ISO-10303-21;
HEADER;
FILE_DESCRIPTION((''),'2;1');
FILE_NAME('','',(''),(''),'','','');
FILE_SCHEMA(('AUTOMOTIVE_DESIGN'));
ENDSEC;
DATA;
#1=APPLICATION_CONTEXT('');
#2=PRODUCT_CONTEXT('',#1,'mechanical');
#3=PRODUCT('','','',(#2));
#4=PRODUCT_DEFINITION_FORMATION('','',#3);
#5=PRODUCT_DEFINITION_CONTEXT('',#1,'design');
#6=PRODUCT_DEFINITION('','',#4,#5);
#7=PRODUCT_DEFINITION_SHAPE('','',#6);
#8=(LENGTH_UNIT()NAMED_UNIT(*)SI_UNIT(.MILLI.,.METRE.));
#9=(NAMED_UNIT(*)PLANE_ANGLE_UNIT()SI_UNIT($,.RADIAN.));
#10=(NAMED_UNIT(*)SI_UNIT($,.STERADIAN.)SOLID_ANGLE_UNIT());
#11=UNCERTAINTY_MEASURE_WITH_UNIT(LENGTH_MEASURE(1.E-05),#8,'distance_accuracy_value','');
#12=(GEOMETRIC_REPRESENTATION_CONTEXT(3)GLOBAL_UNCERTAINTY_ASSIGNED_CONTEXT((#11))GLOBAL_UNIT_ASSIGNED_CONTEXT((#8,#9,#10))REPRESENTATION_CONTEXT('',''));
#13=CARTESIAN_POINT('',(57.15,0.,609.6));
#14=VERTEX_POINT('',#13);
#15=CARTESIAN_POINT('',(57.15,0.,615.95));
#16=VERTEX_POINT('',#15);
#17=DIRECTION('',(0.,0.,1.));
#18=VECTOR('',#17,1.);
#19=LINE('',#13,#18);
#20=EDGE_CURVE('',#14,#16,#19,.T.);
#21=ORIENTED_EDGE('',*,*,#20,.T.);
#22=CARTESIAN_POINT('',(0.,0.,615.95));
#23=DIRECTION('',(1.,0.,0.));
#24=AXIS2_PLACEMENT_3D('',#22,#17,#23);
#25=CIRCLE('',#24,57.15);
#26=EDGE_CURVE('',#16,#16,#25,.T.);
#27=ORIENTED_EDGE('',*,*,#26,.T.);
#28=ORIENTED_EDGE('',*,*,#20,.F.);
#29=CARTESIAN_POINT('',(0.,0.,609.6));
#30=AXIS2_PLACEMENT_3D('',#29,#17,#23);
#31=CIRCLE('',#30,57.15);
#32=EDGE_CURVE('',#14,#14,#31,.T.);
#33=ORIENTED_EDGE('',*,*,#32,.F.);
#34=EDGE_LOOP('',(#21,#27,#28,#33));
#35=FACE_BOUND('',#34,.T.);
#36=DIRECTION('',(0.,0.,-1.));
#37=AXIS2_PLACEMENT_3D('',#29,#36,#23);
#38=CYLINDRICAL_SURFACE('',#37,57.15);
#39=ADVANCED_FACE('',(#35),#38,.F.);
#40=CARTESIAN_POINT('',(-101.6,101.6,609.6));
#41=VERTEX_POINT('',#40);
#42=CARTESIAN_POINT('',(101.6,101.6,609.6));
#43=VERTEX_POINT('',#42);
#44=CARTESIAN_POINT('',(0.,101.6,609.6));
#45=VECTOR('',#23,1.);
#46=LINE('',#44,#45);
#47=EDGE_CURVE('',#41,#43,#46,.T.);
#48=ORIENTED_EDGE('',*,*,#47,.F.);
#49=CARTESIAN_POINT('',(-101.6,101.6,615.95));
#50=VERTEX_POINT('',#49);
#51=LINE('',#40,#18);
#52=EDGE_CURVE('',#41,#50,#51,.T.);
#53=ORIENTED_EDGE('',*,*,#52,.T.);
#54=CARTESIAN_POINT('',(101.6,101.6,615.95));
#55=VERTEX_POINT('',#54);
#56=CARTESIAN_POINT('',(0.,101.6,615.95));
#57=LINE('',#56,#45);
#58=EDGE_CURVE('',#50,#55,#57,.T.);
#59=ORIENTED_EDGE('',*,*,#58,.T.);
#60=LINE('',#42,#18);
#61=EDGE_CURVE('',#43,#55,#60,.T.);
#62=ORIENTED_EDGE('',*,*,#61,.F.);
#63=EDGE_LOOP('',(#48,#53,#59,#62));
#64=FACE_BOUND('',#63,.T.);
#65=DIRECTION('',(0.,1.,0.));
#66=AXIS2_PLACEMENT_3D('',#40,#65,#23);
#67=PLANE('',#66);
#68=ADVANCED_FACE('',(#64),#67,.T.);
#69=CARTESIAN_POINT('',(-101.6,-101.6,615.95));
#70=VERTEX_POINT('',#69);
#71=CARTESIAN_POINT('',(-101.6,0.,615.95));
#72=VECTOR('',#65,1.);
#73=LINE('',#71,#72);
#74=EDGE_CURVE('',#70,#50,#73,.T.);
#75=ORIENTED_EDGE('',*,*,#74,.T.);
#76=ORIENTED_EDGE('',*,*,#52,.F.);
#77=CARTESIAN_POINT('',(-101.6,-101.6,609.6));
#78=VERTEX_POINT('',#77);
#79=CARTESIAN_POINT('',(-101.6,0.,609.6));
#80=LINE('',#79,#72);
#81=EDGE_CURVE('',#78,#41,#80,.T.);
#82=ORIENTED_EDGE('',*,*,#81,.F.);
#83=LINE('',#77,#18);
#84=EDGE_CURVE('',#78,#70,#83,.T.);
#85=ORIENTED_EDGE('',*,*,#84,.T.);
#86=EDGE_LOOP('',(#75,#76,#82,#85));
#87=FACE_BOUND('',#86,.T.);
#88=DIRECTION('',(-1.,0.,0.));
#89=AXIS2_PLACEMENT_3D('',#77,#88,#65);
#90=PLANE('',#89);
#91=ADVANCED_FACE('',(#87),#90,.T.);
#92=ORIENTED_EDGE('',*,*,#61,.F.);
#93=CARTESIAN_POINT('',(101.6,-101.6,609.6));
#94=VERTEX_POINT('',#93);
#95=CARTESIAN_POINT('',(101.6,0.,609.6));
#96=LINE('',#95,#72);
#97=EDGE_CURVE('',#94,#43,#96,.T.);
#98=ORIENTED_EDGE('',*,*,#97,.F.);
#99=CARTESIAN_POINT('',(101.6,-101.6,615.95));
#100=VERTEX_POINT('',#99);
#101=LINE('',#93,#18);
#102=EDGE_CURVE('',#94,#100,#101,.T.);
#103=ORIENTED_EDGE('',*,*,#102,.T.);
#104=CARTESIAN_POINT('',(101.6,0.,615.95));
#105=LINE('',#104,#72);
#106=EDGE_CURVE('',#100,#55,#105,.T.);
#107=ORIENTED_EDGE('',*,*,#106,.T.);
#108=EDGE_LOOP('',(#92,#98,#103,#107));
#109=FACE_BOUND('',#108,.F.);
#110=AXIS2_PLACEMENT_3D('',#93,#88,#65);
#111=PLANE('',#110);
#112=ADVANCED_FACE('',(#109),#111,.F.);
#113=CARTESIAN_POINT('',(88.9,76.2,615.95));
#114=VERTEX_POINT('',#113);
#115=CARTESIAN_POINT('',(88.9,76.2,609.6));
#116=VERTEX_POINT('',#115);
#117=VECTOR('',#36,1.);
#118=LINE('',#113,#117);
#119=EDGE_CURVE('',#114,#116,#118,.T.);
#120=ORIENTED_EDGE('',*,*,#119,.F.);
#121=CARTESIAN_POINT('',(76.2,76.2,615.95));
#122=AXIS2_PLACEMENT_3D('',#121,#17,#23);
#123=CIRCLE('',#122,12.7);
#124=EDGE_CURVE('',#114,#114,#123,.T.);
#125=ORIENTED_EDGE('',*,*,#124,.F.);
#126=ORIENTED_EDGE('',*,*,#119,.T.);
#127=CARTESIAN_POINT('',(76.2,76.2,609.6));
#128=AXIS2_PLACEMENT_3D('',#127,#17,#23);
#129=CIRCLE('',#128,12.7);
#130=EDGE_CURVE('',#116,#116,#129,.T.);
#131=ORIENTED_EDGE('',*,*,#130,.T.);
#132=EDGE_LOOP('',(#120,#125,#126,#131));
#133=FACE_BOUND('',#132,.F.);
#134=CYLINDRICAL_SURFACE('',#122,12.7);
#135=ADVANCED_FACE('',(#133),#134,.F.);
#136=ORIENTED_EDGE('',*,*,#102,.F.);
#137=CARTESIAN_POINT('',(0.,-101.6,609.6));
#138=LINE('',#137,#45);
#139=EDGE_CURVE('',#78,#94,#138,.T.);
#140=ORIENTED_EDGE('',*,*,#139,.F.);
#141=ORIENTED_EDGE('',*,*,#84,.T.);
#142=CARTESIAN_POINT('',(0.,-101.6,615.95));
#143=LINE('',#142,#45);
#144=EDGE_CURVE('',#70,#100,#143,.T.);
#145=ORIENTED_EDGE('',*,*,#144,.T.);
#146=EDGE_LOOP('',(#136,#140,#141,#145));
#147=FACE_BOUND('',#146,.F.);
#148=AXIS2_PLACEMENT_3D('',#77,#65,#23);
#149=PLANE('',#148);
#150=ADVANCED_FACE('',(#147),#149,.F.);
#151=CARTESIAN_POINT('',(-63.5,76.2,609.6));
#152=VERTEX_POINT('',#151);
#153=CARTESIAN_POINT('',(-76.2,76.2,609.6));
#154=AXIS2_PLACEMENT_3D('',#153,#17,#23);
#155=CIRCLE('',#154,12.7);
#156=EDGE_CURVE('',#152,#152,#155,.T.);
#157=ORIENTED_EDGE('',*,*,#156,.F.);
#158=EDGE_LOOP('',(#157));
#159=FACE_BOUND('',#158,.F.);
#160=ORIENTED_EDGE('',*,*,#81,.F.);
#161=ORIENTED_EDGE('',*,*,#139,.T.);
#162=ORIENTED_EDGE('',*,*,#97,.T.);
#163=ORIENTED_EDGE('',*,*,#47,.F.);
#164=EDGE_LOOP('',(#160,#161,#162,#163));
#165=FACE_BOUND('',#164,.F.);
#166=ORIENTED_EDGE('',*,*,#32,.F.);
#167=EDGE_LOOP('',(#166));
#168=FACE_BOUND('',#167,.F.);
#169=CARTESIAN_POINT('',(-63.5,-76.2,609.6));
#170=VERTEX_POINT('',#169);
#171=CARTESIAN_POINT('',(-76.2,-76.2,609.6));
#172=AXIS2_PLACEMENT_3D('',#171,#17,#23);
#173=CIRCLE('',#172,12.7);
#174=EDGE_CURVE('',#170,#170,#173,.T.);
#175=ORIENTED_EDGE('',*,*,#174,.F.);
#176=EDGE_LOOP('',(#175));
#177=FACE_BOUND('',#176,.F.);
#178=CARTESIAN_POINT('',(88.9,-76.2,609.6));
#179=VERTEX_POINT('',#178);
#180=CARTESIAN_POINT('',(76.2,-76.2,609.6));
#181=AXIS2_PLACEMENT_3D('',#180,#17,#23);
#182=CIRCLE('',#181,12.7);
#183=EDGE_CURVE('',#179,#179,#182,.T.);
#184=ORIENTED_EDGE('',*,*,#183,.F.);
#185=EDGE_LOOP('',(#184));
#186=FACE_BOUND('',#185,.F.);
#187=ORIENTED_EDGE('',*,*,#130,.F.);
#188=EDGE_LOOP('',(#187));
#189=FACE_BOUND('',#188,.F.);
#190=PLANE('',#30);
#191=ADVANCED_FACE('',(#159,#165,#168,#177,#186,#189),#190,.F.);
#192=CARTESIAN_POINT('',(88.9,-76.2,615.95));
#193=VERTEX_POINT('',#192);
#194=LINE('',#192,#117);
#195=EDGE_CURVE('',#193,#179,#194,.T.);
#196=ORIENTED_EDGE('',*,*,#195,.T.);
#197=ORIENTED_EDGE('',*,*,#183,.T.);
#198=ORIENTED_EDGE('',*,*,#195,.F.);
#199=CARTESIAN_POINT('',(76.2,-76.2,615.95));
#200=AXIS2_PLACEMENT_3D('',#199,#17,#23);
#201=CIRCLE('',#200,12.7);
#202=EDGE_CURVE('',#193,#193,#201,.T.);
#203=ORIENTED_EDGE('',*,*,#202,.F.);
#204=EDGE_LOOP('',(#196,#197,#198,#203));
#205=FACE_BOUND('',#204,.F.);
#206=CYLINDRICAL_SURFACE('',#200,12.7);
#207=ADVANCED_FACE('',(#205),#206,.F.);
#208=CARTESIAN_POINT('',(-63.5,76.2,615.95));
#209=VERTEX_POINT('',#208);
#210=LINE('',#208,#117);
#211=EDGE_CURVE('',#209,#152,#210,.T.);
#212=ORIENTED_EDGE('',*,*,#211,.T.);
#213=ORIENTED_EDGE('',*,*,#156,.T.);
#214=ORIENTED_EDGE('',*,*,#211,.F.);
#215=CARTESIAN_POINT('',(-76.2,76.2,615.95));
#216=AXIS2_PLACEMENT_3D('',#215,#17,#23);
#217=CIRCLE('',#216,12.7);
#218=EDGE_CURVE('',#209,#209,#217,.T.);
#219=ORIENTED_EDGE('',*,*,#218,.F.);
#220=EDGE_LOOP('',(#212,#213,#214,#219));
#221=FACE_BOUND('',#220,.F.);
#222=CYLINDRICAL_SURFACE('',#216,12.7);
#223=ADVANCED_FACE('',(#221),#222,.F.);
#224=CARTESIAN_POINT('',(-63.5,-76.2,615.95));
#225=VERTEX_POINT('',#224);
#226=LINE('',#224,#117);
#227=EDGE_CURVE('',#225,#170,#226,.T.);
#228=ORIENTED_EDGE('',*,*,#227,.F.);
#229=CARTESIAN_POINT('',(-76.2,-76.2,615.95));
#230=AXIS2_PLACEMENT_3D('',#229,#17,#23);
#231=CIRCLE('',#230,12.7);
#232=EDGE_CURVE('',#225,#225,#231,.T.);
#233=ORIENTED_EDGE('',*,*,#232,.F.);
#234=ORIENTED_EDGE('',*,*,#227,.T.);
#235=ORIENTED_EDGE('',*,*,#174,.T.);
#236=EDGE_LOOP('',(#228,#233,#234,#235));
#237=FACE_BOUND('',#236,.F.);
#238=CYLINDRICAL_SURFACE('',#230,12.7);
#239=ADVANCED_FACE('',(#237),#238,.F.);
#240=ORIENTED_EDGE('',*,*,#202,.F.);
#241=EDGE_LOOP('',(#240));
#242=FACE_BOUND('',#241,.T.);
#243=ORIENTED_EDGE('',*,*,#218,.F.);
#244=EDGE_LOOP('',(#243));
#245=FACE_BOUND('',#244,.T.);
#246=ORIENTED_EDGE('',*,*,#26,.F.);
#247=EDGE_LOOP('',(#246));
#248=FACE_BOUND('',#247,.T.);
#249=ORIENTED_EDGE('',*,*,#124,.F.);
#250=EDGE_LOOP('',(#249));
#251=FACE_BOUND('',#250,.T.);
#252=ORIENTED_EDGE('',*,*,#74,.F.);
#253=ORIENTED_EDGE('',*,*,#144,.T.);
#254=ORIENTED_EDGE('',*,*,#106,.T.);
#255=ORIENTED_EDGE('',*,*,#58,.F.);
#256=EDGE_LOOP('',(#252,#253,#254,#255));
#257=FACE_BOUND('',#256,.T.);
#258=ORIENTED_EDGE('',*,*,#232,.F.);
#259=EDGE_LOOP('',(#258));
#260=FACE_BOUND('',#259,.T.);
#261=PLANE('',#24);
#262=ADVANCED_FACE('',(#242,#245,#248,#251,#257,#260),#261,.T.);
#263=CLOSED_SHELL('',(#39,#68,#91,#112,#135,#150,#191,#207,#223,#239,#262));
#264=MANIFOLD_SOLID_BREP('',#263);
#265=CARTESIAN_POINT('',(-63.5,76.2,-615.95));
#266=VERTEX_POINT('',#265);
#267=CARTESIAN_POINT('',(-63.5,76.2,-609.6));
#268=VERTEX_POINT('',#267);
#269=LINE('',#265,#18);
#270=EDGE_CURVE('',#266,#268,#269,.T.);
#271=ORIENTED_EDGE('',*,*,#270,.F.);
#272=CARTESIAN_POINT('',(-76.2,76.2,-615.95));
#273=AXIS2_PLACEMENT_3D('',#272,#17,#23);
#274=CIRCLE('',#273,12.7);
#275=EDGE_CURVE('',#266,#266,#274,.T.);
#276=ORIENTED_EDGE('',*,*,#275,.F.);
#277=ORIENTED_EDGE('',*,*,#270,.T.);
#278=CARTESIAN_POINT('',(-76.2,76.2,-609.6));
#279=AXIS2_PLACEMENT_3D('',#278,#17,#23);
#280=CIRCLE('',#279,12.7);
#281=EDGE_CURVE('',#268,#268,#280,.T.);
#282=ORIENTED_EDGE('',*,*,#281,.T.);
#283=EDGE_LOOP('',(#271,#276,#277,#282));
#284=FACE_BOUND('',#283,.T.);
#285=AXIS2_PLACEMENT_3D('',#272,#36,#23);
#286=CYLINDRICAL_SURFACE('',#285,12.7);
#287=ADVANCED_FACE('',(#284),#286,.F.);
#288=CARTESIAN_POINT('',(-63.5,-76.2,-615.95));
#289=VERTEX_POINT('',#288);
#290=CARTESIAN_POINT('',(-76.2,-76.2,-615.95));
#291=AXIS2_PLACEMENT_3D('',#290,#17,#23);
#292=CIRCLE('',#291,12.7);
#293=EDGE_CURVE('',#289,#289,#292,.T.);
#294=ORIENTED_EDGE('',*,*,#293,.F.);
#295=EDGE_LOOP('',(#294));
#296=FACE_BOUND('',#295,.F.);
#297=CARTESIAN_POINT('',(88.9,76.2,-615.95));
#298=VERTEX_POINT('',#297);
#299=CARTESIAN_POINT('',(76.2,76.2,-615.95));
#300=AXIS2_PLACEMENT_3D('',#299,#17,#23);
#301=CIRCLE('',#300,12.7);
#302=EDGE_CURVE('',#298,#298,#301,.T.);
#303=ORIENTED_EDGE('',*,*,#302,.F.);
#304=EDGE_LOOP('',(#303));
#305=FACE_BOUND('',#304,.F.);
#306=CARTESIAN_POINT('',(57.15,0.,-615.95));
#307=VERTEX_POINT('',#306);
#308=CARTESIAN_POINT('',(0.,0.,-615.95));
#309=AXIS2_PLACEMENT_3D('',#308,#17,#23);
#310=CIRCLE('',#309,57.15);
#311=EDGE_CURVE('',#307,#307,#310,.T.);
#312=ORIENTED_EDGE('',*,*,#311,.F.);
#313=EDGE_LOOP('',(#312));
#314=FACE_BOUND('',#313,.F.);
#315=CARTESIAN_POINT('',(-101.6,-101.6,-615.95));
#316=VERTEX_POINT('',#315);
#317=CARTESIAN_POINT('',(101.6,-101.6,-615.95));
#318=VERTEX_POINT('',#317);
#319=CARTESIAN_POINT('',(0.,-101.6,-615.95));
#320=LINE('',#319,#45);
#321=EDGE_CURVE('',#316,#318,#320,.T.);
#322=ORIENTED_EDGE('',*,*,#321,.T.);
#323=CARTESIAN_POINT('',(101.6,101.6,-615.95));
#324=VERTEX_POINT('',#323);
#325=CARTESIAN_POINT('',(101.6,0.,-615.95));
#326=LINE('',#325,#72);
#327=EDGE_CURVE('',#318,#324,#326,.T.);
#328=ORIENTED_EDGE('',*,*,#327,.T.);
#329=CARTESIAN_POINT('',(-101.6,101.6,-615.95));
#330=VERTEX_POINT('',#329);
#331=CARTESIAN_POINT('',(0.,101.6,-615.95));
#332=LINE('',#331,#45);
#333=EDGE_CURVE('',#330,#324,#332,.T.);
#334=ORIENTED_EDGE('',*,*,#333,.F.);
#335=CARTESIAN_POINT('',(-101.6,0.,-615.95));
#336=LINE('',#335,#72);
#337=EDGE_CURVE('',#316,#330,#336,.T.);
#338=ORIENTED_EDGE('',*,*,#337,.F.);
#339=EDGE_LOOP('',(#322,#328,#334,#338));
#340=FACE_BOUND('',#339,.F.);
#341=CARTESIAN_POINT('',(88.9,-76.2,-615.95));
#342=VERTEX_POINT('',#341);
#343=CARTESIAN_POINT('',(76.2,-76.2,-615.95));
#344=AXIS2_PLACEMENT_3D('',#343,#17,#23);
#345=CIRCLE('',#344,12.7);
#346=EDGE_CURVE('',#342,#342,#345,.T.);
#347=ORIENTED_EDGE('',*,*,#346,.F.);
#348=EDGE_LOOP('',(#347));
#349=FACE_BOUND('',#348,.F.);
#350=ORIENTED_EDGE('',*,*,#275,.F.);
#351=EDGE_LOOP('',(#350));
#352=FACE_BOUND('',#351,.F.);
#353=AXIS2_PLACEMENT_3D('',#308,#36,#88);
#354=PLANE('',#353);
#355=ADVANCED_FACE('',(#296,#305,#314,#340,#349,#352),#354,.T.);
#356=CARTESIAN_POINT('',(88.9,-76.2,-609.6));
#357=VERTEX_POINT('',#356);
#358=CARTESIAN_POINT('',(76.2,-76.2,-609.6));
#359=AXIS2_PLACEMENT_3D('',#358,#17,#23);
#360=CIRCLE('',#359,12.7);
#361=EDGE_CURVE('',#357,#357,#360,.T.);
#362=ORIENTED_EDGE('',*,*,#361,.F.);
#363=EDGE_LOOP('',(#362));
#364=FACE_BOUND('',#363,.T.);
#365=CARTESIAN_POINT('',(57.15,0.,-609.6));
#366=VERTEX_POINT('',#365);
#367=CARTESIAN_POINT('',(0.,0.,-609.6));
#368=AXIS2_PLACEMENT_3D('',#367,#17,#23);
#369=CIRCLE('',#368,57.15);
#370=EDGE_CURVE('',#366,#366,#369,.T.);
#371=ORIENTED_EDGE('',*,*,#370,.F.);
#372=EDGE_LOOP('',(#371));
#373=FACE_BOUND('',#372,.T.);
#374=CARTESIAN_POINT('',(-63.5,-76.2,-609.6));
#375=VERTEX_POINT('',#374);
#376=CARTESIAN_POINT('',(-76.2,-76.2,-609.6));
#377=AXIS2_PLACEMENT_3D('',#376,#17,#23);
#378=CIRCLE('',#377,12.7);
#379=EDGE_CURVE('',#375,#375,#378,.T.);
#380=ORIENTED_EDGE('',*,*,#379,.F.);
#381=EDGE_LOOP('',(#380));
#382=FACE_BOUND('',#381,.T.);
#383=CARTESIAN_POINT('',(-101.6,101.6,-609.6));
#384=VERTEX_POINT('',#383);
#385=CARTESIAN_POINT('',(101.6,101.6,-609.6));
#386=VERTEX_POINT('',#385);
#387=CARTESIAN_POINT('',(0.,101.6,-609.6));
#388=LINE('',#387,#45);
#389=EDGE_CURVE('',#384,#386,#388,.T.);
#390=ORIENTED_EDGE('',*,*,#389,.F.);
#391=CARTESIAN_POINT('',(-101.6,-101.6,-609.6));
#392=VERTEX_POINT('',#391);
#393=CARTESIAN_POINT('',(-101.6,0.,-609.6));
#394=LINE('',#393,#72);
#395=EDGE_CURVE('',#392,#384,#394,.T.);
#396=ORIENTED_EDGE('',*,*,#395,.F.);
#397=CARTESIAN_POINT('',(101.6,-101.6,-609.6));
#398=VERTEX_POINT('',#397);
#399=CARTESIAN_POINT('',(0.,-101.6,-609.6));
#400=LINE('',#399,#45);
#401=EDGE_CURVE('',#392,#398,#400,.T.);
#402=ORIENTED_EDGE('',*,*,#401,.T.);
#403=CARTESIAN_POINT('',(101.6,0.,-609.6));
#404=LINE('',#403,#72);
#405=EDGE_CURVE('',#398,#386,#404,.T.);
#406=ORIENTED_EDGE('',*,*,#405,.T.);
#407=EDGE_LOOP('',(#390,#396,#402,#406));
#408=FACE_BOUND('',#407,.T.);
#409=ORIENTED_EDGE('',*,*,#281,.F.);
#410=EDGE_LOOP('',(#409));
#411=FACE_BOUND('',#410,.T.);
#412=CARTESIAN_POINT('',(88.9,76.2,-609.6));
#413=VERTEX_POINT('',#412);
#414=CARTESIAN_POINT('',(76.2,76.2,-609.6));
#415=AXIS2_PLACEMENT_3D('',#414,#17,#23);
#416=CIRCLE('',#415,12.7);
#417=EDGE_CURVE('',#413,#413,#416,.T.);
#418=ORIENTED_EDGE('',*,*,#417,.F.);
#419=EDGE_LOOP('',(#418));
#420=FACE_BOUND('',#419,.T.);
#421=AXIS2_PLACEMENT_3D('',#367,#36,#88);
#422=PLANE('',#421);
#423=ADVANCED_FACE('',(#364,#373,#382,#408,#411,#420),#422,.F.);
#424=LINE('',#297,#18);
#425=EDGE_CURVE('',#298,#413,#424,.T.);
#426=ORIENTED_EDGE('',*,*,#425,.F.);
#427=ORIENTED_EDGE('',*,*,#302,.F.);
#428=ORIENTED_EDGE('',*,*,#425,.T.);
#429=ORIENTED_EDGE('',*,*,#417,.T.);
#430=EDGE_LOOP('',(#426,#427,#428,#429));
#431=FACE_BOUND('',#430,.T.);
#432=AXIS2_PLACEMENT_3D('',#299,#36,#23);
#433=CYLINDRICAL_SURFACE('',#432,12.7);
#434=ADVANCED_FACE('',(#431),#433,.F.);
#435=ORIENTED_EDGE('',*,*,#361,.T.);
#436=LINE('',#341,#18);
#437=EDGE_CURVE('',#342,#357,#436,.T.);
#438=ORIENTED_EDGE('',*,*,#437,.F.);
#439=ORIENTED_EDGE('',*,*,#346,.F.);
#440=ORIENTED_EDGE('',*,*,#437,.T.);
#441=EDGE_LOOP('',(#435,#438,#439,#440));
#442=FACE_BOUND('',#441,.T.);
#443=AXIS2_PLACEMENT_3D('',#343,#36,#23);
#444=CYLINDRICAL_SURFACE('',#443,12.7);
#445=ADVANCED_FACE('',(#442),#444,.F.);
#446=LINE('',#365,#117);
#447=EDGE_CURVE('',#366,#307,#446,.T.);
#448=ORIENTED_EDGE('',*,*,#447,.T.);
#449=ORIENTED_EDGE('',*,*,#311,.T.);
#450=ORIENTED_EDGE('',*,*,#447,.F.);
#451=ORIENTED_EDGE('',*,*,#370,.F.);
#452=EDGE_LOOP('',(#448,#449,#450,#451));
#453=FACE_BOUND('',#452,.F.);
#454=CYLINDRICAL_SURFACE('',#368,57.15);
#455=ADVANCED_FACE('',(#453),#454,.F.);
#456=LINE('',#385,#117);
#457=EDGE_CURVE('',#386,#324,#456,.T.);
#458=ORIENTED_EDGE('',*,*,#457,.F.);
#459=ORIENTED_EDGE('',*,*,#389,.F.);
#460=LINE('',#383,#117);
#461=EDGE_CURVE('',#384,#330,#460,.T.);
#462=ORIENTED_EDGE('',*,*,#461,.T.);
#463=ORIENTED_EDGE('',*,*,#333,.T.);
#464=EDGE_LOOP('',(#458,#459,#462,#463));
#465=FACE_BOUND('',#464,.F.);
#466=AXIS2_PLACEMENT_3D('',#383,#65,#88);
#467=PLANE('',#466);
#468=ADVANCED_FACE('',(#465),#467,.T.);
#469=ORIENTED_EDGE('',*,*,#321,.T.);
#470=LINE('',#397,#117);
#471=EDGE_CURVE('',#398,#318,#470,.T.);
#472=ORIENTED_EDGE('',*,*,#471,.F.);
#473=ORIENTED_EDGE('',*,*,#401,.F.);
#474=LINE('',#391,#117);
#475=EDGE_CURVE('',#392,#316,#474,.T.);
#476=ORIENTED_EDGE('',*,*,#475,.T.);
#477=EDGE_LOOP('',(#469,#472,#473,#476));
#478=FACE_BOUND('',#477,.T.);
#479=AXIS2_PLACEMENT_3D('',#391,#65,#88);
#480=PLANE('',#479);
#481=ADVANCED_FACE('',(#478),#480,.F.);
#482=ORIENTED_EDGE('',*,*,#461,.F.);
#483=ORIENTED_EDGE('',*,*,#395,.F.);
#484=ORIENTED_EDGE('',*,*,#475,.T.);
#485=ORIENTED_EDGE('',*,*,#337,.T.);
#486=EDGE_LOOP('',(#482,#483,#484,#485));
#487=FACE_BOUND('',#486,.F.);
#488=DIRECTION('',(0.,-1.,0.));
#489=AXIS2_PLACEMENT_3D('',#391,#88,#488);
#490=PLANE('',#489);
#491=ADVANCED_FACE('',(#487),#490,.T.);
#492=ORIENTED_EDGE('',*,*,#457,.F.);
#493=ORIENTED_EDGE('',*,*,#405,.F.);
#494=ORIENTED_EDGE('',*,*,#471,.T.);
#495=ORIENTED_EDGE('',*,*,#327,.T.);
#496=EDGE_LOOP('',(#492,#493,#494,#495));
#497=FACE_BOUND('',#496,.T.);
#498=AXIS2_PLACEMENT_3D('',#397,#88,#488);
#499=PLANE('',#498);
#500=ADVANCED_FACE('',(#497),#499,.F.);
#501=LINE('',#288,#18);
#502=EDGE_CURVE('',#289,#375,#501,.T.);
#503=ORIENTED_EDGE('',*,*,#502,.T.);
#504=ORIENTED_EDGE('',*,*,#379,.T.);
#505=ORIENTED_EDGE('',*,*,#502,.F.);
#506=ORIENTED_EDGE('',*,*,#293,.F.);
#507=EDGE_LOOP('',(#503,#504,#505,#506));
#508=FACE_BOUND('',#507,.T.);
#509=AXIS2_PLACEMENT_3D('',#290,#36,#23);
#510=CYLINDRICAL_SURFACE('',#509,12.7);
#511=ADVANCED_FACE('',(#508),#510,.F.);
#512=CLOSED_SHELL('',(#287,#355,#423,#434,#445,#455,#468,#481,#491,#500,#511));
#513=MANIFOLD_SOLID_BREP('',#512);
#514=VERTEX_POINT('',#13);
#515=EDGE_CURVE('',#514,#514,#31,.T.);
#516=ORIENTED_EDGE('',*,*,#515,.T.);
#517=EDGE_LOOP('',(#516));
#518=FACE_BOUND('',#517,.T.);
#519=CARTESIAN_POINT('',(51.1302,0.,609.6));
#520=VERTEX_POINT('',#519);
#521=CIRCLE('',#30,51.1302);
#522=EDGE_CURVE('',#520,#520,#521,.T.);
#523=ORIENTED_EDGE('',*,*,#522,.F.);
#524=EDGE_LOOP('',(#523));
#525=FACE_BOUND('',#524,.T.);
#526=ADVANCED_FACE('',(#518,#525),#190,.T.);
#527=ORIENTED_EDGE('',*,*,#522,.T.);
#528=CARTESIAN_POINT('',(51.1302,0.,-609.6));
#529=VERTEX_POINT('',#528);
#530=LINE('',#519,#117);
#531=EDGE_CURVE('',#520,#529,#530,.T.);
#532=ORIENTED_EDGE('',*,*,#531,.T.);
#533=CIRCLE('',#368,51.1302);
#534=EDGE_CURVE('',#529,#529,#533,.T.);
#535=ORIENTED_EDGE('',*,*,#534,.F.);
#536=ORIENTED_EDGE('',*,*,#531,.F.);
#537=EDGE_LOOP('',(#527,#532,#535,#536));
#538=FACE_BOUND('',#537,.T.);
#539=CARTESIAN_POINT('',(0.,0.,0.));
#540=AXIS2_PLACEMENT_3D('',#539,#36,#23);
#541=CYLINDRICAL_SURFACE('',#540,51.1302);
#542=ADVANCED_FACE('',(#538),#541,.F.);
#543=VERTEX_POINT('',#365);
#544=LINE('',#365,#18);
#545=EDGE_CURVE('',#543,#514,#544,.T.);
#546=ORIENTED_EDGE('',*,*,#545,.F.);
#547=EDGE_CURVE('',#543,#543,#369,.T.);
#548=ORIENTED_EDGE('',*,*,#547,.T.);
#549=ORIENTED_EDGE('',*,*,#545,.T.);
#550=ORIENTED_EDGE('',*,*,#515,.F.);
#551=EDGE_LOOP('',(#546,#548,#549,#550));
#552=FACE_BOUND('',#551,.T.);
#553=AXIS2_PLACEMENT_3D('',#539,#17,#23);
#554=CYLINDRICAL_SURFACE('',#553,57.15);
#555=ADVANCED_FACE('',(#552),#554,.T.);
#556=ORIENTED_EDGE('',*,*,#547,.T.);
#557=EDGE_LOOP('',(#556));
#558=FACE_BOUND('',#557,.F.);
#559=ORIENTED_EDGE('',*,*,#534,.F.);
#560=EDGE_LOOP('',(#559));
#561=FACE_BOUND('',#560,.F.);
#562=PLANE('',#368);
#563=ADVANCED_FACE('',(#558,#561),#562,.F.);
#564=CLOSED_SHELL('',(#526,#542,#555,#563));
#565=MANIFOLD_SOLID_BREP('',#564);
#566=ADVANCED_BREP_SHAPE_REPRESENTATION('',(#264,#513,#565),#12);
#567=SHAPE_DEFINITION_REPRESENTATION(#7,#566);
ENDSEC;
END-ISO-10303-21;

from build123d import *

# Parameters (mm, degrees)
F0_R     = 57.15
F0_R_2   = 51.1302
F1_DEPTH = 609.6
F2_W     = 203.2
F2_H     = 203.2
F2_R     = 57.15
F3_DEPTH = 6.35
F4_R     = 12.7
F5_DEPTH = 6.35


with BuildPart() as f1:
    # F0 (on Top) → F1 (new body, symmetric)
    with BuildSketch(Plane.XY):
        Circle(F0_R)
        Circle(F0_R_2, mode=Mode.SUBTRACT)
    extrude(amount=F1_DEPTH, both=True)


with BuildPart() as f3:
    # F2 (on face) → F3 (new body)
    with BuildSketch(Plane.XY.offset(609.6)):
        Rectangle(F2_W, F2_H)
        Circle(F2_R, mode=Mode.SUBTRACT)
    extrude(amount=F3_DEPTH)

    # F4 (on face) → F5 (cut, through all)
    with BuildSketch(Plane.XY.offset(615.95)):
        with Locations((-76.2, 76.2)):
            Circle(F4_R)
        with Locations((76.2, 76.2)):
            Circle(F4_R)
        with Locations((-76.2, -76.2)):
            Circle(F4_R)
        with Locations((76.2, -76.2)):
            Circle(F4_R)
    extrude(amount=-F5_DEPTH, mode=Mode.SUBTRACT)


with BuildPart() as f6_1:
    # F6: instance of F3
    add(f3.part.mirror(Plane.XY))


solid = Compound([f1.part, f3.part, f6_1.part])
